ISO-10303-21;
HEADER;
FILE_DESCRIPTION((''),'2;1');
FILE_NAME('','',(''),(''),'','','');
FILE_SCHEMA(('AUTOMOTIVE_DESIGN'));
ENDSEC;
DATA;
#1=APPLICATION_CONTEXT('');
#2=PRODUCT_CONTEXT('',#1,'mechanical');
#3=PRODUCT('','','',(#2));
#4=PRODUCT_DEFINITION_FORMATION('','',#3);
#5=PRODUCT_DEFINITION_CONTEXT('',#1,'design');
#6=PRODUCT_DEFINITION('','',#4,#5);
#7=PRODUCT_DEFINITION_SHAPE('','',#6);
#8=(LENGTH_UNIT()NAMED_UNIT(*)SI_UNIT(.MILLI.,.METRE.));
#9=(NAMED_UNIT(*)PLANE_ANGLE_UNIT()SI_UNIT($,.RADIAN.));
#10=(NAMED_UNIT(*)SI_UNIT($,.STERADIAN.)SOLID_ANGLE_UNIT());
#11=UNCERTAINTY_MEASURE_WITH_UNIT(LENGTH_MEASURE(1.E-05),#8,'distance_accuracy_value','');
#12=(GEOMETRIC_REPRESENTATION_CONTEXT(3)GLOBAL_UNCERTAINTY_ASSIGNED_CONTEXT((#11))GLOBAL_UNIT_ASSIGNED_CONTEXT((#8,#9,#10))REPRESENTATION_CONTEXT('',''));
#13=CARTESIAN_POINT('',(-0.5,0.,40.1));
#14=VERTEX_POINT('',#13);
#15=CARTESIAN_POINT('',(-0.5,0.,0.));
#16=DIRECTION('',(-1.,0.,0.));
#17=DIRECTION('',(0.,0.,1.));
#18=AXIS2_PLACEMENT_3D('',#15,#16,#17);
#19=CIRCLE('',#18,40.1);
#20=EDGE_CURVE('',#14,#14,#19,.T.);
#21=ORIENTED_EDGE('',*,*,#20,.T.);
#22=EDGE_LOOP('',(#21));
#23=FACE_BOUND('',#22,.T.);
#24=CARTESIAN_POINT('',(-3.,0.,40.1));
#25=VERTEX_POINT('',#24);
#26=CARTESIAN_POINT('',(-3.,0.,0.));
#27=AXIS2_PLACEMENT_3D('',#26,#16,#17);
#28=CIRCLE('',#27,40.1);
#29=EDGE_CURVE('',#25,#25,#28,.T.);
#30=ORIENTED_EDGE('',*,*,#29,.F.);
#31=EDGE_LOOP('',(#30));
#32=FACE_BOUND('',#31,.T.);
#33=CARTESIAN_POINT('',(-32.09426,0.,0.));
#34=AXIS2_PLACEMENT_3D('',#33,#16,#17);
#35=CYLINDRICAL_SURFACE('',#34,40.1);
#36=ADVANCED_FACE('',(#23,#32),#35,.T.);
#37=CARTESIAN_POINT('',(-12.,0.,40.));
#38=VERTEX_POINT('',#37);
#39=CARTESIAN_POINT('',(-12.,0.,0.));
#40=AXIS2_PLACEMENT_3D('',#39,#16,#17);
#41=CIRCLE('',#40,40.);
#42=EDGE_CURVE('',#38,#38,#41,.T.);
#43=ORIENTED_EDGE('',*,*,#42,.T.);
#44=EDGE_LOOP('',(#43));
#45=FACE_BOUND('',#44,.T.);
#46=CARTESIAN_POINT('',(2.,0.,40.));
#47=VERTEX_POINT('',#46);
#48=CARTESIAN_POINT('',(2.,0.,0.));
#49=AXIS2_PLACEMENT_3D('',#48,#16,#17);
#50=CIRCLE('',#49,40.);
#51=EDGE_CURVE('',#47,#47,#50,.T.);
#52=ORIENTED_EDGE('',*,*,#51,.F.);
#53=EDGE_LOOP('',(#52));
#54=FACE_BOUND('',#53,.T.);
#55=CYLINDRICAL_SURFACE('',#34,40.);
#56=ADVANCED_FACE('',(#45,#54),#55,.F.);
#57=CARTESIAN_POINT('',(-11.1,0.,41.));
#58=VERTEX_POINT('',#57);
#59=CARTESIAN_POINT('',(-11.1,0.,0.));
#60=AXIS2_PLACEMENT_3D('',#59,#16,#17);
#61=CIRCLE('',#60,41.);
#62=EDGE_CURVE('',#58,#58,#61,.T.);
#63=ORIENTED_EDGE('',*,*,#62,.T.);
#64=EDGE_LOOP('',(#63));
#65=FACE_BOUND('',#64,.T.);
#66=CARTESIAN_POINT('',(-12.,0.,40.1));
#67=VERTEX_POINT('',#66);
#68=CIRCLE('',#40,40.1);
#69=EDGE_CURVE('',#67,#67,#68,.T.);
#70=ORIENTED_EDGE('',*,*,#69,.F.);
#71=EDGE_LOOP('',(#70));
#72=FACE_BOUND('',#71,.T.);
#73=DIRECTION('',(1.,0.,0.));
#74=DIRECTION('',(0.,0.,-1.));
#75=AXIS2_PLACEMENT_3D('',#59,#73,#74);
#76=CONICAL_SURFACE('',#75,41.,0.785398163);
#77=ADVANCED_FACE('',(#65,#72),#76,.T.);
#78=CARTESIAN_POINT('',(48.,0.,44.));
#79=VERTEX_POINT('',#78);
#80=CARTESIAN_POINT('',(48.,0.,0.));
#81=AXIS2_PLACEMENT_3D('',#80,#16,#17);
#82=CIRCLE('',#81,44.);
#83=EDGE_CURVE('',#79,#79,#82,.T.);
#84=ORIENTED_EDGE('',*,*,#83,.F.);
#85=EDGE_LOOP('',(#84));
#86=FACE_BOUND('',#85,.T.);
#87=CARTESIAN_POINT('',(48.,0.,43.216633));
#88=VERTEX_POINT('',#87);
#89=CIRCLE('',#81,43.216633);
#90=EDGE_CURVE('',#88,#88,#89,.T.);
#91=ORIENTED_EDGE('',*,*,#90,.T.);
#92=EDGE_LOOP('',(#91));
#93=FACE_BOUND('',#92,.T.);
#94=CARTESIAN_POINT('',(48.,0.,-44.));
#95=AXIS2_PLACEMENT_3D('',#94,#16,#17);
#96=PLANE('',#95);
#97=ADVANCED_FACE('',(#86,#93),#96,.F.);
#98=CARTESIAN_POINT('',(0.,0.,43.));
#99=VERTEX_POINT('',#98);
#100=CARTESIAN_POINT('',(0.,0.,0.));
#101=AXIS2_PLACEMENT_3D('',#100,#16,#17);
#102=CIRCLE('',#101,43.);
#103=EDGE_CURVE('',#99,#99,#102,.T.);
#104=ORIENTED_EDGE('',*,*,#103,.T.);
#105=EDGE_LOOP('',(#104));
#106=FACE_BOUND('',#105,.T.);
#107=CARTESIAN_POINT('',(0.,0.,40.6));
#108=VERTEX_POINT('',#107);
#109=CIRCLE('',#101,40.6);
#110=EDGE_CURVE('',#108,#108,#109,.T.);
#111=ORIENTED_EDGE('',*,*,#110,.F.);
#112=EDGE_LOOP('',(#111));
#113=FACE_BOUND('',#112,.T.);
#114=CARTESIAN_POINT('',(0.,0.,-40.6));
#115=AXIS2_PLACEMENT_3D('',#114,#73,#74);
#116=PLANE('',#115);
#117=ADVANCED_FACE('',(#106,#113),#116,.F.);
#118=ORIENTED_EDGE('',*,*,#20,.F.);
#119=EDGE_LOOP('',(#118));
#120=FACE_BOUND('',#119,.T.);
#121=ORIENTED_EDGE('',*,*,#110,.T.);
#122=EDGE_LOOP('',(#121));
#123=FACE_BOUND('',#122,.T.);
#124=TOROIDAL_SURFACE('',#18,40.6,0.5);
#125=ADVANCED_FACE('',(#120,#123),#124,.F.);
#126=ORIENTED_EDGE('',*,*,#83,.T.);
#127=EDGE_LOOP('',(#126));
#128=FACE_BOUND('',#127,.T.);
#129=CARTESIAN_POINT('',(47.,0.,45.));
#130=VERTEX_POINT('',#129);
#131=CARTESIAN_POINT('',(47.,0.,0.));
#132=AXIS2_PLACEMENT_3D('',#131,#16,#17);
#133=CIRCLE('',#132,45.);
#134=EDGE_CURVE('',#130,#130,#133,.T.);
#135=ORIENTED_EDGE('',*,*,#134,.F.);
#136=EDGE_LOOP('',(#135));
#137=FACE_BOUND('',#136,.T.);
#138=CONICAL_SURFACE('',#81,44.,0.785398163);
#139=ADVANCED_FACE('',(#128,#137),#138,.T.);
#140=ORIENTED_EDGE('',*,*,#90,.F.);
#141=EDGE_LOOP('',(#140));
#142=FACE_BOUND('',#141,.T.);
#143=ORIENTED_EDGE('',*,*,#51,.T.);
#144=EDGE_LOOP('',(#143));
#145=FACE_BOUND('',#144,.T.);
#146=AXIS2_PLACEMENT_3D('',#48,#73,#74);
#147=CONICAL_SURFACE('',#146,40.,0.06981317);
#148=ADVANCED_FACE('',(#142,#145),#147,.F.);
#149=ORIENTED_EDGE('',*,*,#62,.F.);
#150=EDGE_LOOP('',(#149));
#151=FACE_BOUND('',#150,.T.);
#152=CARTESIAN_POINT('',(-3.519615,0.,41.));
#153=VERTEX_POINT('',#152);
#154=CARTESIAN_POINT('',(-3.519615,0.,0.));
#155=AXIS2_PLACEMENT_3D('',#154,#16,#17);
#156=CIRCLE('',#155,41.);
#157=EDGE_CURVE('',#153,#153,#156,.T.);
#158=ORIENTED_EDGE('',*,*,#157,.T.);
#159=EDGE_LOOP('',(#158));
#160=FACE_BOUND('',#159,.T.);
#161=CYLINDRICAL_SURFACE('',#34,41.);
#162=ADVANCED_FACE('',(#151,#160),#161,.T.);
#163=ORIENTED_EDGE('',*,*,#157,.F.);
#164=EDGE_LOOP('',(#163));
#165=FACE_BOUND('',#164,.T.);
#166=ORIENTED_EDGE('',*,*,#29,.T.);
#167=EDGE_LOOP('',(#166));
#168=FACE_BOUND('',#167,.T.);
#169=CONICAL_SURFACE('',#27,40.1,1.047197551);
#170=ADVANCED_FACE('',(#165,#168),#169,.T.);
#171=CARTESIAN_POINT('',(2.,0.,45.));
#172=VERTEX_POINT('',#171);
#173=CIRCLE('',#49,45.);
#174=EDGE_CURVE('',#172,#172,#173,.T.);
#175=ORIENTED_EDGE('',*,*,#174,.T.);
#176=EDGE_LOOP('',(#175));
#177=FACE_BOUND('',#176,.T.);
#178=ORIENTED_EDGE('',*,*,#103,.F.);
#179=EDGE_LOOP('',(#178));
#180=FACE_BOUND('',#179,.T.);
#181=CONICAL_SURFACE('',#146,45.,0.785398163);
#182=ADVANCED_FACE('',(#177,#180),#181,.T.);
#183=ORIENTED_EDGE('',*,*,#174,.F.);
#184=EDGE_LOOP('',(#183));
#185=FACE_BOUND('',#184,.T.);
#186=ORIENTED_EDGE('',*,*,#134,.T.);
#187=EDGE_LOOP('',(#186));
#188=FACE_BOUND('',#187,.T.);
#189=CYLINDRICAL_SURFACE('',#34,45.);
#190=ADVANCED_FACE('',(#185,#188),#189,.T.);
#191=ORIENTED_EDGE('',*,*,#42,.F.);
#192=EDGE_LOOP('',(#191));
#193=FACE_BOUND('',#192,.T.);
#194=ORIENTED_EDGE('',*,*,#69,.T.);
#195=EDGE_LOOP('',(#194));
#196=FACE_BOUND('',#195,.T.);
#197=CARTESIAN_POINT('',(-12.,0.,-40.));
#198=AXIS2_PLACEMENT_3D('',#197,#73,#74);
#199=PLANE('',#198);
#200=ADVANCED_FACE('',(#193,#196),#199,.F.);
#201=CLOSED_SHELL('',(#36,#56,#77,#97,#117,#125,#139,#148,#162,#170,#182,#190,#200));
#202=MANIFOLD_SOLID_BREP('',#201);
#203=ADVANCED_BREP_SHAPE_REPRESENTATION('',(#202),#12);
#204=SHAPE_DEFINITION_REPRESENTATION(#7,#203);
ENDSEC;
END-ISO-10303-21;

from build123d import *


with BuildPart() as part:
    # Esquisse1 → Révolution1 (revolve)
    with BuildSketch(Plane(origin=(0, 0, 0), x_dir=(1, 0, 0), z_dir=(0, 1, 0)), mode=Mode.PRIVATE) as r_volution1_sk:
        with BuildLine():
            Line((2, 40), (-12, 40))
            Line((-12, 40), (-12, 40.1))
            Line((-12, 40.1), (-11.1, 41))
            Line((-11.1, 41), (-3.519615242, 41))
            Line((-3.519615242, 41), (-3, 40.1))
            Line((-3, 40.1), (-0.5, 40.1))
            ThreePointArc((-0.5, 40.1), (-0.146446609, 40.246446609), (0, 40.6))
            Line((0, 40.6), (0, 43))
            Line((0, 43), (2, 45))
            Line((2, 45), (47, 45))
            Line((47, 45), (48, 44))
            Line((48, 44), (48, 43.216633349))
            Line((48, 43.216633349), (2, 40))
        make_face()
    revolve(r_volution1_sk.sketch.rotate(Axis((-32.094260439, 0, 0), (1, 0, 0)), 180), axis=Axis((-32.094260439, 0, 0), (1, 0, 0)))  # turned: the seam where the file's is


solid = part.part
